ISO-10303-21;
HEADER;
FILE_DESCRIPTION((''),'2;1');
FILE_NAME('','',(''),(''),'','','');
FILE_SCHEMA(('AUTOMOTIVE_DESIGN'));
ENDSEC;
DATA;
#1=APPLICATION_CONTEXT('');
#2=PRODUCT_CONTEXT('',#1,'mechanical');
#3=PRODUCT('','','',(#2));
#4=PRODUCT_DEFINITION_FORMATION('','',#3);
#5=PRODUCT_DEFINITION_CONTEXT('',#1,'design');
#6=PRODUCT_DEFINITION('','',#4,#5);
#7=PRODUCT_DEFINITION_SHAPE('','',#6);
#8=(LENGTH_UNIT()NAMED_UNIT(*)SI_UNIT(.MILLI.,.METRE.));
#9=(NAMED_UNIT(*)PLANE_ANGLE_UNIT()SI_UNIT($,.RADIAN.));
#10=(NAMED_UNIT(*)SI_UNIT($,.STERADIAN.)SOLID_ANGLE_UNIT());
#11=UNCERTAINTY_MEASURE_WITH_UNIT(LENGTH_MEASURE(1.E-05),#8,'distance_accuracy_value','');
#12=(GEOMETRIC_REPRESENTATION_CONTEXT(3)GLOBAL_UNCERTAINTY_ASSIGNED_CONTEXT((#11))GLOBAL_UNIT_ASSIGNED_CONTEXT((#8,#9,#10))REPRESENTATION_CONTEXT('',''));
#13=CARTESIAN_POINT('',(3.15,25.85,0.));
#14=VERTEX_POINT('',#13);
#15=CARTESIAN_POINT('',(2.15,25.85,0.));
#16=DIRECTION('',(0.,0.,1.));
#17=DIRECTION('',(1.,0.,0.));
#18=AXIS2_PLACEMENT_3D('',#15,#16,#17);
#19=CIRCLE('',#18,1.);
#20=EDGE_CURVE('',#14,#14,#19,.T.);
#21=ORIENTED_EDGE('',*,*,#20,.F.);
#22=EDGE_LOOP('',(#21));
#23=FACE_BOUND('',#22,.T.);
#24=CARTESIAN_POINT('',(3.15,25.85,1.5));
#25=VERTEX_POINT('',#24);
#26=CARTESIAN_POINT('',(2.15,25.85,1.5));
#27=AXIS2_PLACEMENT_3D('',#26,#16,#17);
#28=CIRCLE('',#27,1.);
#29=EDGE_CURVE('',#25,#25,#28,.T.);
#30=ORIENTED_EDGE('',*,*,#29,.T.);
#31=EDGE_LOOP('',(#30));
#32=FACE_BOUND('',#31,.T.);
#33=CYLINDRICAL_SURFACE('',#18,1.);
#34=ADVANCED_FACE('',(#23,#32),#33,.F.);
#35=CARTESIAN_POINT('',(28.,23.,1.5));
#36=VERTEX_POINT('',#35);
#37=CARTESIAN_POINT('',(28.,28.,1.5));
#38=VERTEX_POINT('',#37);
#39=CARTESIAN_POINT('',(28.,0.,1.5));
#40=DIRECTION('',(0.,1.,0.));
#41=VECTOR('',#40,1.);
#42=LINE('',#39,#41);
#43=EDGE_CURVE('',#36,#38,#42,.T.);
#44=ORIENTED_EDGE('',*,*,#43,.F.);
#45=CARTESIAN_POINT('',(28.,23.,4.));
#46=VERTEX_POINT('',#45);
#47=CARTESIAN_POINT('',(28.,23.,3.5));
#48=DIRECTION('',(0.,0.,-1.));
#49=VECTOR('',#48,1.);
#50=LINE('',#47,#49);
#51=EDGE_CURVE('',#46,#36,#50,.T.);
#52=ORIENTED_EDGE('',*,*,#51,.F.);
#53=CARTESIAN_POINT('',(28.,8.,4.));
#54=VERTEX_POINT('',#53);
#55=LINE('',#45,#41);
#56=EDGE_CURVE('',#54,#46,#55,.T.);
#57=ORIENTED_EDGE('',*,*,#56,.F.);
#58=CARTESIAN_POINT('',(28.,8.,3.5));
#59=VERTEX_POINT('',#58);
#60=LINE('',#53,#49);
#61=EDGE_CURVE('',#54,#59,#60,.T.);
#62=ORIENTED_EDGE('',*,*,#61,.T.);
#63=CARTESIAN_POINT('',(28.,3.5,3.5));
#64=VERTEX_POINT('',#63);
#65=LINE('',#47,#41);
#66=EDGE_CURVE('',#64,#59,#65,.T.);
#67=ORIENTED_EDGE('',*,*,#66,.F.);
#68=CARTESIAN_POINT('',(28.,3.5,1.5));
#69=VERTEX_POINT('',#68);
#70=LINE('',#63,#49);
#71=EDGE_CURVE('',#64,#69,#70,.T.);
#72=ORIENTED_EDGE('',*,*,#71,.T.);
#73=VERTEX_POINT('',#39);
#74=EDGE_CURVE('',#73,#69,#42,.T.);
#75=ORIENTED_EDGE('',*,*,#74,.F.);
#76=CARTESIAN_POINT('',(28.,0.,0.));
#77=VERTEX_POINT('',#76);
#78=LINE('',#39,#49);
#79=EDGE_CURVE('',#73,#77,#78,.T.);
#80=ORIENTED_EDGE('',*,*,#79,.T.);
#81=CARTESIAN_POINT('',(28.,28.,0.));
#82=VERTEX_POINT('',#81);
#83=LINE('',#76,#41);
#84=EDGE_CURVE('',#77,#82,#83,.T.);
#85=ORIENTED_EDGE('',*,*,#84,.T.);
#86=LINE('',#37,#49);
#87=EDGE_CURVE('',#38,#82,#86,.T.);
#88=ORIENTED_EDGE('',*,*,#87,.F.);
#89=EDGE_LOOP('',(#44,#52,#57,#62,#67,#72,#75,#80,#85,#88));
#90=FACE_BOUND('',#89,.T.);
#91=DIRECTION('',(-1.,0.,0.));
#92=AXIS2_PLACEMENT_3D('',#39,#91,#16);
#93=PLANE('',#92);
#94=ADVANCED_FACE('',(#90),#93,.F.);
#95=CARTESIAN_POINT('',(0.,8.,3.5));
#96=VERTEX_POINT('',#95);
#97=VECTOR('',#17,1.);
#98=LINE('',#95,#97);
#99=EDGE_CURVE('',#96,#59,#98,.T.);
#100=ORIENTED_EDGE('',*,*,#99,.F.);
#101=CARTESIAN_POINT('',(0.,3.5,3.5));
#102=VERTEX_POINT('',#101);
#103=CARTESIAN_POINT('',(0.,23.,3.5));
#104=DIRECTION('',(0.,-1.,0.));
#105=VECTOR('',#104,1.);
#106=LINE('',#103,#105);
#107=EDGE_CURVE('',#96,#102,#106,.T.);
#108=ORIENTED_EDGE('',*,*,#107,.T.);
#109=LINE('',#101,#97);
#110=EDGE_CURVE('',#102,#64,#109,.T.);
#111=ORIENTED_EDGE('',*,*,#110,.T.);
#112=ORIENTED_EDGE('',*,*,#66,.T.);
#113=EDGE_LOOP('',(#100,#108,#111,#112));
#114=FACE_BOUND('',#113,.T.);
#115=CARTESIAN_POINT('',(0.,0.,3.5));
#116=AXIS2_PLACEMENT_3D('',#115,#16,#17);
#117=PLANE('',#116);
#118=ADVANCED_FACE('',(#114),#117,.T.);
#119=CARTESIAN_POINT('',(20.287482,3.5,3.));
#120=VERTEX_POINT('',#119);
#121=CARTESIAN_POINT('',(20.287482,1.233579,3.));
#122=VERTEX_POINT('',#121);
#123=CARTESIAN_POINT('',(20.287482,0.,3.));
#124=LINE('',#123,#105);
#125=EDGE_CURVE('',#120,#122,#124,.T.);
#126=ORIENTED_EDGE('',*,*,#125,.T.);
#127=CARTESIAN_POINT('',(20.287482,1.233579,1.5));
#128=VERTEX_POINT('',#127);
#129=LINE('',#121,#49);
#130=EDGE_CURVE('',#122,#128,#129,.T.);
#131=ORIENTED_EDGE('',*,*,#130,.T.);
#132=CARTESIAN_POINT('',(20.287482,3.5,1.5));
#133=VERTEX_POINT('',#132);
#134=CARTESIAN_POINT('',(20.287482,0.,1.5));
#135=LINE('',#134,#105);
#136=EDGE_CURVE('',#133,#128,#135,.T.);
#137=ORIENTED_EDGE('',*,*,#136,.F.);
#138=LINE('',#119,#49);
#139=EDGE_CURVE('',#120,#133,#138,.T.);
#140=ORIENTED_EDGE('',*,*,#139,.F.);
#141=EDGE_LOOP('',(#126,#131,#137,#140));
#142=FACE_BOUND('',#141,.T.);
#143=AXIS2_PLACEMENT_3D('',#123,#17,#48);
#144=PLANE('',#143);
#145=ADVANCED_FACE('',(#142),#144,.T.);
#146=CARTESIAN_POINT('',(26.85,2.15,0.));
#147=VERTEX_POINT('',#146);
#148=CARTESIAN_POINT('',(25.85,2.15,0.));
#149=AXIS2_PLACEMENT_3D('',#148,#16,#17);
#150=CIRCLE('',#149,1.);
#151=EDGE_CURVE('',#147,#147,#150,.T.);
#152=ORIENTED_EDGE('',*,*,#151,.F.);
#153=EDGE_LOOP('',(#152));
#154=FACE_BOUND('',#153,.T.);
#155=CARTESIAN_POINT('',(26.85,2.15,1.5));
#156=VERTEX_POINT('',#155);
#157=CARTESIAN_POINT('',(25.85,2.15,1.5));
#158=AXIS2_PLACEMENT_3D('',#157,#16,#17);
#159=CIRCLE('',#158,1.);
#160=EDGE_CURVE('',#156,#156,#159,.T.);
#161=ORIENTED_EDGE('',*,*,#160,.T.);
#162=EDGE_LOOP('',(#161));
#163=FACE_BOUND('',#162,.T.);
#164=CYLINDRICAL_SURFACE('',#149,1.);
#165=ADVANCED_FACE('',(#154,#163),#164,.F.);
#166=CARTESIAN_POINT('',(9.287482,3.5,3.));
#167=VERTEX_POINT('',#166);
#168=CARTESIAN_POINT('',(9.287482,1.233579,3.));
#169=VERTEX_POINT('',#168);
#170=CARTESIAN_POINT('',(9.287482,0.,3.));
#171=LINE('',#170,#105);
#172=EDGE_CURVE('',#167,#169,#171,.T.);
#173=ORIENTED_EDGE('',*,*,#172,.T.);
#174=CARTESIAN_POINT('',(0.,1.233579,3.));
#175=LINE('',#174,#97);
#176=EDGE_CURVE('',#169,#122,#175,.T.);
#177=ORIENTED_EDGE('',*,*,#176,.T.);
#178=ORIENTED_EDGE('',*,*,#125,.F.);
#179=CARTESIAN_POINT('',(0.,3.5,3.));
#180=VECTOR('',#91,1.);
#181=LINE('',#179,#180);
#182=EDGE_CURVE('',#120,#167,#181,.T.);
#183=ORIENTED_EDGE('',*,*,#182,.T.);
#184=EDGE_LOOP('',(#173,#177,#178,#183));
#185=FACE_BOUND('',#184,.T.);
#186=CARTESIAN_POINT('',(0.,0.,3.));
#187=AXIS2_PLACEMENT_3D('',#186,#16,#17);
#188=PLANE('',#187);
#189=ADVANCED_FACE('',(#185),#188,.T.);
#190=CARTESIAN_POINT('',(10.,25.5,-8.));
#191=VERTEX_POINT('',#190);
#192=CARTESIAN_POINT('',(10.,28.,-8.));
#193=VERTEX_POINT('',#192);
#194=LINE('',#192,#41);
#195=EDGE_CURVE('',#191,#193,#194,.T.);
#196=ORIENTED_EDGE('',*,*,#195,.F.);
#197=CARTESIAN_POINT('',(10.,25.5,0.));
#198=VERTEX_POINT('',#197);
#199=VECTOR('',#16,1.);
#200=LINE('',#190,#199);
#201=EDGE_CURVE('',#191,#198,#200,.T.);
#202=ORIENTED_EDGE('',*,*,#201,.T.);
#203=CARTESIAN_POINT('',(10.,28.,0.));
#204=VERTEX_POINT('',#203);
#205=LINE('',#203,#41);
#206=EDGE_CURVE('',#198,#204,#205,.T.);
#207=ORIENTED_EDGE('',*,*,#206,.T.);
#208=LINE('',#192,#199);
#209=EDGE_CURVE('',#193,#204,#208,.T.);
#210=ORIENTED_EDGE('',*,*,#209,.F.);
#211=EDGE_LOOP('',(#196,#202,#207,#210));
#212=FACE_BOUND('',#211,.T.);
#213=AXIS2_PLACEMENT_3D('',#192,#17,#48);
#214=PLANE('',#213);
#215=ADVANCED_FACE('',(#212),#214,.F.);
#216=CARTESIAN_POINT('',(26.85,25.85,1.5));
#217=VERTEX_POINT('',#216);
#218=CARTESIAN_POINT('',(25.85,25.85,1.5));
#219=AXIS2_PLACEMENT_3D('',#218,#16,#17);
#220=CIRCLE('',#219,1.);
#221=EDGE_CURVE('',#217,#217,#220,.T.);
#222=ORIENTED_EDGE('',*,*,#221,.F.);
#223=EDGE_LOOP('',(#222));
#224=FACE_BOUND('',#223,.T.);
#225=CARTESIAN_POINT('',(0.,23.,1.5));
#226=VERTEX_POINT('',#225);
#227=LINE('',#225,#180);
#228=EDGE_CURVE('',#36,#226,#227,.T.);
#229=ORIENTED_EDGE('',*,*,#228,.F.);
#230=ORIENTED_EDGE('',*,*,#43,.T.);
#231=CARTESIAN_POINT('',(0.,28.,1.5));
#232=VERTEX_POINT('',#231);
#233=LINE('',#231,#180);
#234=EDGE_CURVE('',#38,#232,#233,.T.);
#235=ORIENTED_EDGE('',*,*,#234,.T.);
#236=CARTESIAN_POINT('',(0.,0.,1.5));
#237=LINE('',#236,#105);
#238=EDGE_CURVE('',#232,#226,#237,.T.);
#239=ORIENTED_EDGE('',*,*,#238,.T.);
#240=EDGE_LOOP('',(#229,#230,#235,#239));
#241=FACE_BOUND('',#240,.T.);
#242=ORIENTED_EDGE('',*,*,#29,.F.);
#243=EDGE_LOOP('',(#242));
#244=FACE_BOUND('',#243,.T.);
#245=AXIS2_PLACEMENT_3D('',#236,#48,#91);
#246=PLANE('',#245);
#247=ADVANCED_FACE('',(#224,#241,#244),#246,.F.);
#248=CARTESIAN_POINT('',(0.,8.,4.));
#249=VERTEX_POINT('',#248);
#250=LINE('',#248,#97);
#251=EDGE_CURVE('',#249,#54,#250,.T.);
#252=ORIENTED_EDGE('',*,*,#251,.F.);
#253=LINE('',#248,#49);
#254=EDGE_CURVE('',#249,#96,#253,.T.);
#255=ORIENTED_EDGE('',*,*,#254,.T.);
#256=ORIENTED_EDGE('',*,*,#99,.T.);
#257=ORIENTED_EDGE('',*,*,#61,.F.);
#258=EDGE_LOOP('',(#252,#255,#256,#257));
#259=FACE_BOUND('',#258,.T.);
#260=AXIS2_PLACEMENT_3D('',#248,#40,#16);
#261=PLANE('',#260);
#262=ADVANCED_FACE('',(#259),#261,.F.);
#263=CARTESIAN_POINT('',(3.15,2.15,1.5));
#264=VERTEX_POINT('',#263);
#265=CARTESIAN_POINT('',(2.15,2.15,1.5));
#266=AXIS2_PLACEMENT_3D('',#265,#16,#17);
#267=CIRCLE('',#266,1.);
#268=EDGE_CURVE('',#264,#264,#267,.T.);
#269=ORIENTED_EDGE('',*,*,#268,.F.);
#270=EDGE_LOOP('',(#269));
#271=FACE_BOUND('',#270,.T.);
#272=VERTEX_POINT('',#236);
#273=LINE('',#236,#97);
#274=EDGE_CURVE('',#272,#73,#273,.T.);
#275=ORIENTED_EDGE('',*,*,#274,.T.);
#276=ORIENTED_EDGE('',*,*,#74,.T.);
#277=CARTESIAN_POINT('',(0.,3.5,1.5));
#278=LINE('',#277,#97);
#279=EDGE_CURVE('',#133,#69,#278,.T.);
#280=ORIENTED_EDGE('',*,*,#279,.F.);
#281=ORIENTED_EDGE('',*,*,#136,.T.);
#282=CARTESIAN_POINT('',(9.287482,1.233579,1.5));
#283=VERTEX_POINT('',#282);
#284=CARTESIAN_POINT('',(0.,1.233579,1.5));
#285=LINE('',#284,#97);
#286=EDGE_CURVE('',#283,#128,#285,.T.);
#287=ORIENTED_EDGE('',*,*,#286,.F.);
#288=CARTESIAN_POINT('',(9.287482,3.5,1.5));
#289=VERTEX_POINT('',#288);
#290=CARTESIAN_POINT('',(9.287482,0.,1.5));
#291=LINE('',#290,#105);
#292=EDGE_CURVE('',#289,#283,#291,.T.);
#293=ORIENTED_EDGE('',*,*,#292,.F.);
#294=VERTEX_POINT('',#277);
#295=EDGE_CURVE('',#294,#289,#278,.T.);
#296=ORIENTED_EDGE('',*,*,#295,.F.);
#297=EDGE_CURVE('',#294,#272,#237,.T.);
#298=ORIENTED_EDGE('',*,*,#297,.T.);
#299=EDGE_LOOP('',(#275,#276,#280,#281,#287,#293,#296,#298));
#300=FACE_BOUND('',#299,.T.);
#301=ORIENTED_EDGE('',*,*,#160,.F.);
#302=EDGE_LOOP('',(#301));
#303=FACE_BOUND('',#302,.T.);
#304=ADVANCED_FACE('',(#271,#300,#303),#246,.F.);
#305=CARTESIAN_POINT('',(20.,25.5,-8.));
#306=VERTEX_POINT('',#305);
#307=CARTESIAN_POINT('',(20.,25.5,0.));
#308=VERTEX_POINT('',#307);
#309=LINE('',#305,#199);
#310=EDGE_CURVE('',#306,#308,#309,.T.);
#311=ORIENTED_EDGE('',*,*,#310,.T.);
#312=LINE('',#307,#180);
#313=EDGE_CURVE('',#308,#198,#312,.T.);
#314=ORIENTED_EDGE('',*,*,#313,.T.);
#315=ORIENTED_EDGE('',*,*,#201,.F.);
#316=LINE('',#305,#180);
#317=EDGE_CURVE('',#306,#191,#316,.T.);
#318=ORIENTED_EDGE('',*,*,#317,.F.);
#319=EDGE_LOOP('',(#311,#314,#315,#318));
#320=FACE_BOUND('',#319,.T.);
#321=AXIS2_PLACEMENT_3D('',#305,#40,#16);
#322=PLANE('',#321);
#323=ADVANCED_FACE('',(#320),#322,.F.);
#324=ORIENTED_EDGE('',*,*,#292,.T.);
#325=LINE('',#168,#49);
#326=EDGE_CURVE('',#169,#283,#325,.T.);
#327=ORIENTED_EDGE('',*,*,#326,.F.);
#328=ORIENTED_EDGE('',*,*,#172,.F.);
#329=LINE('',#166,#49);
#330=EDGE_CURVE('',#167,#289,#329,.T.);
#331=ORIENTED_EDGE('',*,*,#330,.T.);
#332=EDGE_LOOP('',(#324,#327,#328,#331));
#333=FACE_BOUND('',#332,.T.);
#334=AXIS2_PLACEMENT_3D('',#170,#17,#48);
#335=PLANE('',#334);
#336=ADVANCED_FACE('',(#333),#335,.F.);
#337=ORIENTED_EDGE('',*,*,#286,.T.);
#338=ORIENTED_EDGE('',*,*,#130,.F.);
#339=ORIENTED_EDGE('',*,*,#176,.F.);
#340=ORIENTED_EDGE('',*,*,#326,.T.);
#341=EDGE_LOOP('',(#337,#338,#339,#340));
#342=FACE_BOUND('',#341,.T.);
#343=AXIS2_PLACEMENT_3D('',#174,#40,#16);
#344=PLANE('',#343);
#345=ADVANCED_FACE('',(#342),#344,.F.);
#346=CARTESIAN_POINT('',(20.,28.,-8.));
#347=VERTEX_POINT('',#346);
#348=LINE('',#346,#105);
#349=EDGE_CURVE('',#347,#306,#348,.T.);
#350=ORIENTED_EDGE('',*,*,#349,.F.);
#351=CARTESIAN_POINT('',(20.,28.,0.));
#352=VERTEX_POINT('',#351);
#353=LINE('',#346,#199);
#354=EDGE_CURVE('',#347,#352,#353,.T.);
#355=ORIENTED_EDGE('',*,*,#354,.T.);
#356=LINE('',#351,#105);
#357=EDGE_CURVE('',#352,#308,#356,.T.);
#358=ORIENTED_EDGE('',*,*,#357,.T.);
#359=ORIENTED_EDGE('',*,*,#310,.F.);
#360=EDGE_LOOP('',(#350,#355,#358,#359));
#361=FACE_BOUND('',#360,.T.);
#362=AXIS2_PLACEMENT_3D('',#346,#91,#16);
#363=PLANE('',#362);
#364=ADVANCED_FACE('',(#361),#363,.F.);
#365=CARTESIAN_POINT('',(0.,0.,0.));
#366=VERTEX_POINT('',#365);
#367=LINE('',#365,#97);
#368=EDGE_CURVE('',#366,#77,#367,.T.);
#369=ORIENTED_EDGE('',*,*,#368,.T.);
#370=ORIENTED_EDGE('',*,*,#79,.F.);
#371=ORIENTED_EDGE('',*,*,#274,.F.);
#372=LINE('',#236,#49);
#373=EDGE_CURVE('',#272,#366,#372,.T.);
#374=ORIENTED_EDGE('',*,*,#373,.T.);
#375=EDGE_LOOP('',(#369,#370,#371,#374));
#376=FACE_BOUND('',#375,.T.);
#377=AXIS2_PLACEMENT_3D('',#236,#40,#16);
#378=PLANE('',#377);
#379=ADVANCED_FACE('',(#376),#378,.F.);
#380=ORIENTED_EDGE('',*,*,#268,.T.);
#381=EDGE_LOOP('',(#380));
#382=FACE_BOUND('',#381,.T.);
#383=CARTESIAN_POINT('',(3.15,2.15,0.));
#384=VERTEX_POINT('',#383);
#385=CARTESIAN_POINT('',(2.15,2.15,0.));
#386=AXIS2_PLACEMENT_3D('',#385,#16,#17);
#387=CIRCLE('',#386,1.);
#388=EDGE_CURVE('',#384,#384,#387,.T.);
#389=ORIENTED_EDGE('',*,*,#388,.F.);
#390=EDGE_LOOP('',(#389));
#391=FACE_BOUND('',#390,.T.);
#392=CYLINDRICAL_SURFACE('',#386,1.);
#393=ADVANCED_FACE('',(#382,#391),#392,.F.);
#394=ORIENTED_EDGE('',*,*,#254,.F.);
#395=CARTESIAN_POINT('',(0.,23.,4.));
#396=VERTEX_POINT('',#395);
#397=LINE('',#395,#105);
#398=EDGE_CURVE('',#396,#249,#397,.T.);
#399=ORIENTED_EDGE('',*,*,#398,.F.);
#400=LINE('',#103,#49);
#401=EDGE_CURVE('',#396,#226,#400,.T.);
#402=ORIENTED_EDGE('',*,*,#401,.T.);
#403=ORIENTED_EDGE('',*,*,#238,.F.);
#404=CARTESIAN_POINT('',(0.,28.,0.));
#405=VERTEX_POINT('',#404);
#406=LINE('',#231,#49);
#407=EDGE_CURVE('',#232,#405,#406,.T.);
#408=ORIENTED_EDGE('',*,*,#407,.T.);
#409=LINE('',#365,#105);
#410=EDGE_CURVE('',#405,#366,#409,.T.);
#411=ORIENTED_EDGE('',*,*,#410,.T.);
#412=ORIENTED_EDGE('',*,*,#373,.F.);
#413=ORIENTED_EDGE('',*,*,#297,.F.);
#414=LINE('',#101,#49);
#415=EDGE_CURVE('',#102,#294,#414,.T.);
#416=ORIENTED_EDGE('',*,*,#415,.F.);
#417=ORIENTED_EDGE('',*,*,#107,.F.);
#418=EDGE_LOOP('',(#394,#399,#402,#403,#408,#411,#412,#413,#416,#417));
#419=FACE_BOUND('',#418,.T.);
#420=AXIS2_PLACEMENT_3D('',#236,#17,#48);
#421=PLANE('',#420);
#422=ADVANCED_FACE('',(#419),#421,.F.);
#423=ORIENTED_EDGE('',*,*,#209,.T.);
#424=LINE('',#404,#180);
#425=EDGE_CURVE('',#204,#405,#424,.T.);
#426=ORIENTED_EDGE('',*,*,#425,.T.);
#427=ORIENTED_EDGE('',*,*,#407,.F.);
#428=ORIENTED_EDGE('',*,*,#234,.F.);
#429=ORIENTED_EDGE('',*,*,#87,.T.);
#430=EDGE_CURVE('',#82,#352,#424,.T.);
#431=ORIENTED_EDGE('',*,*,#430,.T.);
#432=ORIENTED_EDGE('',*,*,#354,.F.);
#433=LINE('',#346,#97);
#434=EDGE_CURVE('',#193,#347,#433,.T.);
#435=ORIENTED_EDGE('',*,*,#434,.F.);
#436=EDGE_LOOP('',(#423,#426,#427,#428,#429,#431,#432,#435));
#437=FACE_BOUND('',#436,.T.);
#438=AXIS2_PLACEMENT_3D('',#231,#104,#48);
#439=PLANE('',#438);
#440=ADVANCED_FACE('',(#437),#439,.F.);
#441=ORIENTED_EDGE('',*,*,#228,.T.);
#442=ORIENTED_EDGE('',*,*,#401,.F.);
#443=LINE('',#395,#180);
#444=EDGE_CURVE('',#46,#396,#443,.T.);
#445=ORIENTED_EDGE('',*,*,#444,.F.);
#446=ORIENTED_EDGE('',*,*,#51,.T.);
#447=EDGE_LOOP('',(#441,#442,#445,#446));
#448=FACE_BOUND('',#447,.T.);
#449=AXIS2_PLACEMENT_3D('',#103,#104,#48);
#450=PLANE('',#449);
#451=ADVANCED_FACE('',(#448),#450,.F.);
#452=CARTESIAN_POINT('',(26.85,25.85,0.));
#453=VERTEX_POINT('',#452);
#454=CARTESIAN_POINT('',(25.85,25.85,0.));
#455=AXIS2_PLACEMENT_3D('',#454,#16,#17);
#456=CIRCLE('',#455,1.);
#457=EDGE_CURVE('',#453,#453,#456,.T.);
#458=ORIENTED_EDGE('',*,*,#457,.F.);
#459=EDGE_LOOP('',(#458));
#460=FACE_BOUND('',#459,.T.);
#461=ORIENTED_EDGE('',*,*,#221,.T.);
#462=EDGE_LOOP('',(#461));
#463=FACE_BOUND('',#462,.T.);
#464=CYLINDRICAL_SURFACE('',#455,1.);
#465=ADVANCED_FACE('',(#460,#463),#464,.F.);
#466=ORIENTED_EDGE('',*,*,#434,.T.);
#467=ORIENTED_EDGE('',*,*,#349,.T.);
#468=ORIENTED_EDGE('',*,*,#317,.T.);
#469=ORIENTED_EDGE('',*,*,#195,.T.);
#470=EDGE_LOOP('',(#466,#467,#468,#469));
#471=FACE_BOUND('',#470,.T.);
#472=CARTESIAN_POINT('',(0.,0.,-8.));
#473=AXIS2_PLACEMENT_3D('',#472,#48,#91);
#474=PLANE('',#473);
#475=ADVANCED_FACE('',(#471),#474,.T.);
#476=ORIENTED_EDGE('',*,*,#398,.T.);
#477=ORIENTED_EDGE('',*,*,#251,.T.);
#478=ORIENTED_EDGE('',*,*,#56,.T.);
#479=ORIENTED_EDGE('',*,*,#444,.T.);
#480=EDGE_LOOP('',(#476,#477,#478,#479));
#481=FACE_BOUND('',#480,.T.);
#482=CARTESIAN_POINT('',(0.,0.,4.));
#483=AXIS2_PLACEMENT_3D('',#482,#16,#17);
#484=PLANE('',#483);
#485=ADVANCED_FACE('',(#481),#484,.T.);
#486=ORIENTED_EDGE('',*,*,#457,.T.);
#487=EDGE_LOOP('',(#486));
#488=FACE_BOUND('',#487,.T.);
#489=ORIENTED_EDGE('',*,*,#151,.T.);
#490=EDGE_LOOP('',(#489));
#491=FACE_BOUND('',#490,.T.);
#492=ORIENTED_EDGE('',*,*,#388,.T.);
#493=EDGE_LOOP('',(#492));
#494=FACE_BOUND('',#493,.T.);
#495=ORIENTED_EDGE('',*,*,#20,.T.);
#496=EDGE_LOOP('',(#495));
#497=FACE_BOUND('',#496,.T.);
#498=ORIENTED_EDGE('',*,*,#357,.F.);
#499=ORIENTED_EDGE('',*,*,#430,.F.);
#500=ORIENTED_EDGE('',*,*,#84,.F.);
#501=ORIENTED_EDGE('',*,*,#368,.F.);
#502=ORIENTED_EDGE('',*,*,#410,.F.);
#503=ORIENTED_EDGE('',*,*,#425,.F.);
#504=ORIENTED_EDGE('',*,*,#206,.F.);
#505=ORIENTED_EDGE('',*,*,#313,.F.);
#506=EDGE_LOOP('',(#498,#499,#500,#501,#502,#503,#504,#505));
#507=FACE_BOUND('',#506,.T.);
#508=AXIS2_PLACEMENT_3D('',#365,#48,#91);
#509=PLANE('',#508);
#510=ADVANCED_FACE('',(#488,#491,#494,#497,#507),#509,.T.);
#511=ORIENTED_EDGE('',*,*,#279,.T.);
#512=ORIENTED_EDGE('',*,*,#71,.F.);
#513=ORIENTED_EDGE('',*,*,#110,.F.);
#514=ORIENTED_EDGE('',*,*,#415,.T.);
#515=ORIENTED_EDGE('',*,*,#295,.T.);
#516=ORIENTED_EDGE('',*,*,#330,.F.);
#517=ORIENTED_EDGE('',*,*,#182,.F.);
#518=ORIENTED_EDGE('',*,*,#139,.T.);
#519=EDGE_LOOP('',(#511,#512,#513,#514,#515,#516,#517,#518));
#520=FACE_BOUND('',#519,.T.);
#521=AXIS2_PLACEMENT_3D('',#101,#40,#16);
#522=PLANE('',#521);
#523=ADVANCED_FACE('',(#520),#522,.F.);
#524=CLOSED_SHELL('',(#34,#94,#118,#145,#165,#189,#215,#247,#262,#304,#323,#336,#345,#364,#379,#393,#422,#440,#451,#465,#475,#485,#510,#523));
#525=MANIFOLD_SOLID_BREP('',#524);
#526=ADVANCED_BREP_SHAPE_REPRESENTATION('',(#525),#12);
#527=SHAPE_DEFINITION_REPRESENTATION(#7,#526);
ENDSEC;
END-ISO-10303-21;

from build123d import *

# Parameters (mm, degrees)
SKETCH_1_W          = 28
SKETCH_1_H          = 28
EXTRUDE_3_DEPTH     = 1.5
SKETCH_3_W          = 28
SKETCH_3_H          = 19.5
EXTRUDE_4_DEPTH     = 2
SKETCH_5_W          = 28
SKETCH_5_H          = 15
EXTRUDE_5_DEPTH     = 0.5
SKETCH_6_W          = 11
SKETCH_6_H          = 2.266421477
EXTRUDE_6_DEPTH     = 1.5
SKETCH_7_R          = 1
CUT_EXTRUDE_4_DEPTH = 1.5
SKETCH_10_W         = 10
SKETCH_10_H         = 2.5
EXTRUDE_8_DEPTH     = 8


with BuildPart() as part:
    # Эскиз1 → Бобышка-Вытянуть3 (new body)
    with BuildSketch(Plane.XY):
        with Locations((14, 14)):
            Rectangle(SKETCH_1_W, SKETCH_1_H)
    extrude(amount=EXTRUDE_3_DEPTH)

    # Эскиз3 → Бобышка-Вытянуть4 (add)
    with BuildSketch(Plane.XY.offset(1.5)):
        with Locations((14, 13.25)):
            Rectangle(SKETCH_3_W, SKETCH_3_H)
    extrude(amount=EXTRUDE_4_DEPTH)

    # Эскиз5 → Бобышка-Вытянуть5 (add)
    with BuildSketch(Plane.XY.offset(3.5)):
        with Locations((14, 15.5)):
            Rectangle(SKETCH_5_W, SKETCH_5_H)
    extrude(amount=EXTRUDE_5_DEPTH)

    # Эскиз6 → Бобышка-Вытянуть6 (add)
    with BuildSketch(Plane.XY.offset(1.5)):
        with Locations((14.787482479, 2.366789262)):
            Rectangle(SKETCH_6_W, SKETCH_6_H)
    extrude(amount=EXTRUDE_6_DEPTH)

    # Эскиз7 → Вырез-Вытянуть4 (cut)
    with BuildSketch(Plane.XY.offset(1.5)):
        with Locations((2.15, 2.15)):
            Circle(SKETCH_7_R)
        with Locations((2.15, 25.85)):
            Circle(SKETCH_7_R)
        with Locations((25.85, 25.85)):
            Circle(SKETCH_7_R)
        with Locations((25.85, 2.15)):
            Circle(SKETCH_7_R)
    extrude(amount=-CUT_EXTRUDE_4_DEPTH, mode=Mode.SUBTRACT)

    # Эскиз10 → Бобышка-Вытянуть8 (add)
    with BuildSketch(Plane(origin=(0, 0, 0), x_dir=(-1, 0, 0), z_dir=(0, 0, -1))):
        with Locations((-15, 26.75)):
            Rectangle(SKETCH_10_W, SKETCH_10_H)
    extrude(amount=EXTRUDE_8_DEPTH)


solid = part.part
